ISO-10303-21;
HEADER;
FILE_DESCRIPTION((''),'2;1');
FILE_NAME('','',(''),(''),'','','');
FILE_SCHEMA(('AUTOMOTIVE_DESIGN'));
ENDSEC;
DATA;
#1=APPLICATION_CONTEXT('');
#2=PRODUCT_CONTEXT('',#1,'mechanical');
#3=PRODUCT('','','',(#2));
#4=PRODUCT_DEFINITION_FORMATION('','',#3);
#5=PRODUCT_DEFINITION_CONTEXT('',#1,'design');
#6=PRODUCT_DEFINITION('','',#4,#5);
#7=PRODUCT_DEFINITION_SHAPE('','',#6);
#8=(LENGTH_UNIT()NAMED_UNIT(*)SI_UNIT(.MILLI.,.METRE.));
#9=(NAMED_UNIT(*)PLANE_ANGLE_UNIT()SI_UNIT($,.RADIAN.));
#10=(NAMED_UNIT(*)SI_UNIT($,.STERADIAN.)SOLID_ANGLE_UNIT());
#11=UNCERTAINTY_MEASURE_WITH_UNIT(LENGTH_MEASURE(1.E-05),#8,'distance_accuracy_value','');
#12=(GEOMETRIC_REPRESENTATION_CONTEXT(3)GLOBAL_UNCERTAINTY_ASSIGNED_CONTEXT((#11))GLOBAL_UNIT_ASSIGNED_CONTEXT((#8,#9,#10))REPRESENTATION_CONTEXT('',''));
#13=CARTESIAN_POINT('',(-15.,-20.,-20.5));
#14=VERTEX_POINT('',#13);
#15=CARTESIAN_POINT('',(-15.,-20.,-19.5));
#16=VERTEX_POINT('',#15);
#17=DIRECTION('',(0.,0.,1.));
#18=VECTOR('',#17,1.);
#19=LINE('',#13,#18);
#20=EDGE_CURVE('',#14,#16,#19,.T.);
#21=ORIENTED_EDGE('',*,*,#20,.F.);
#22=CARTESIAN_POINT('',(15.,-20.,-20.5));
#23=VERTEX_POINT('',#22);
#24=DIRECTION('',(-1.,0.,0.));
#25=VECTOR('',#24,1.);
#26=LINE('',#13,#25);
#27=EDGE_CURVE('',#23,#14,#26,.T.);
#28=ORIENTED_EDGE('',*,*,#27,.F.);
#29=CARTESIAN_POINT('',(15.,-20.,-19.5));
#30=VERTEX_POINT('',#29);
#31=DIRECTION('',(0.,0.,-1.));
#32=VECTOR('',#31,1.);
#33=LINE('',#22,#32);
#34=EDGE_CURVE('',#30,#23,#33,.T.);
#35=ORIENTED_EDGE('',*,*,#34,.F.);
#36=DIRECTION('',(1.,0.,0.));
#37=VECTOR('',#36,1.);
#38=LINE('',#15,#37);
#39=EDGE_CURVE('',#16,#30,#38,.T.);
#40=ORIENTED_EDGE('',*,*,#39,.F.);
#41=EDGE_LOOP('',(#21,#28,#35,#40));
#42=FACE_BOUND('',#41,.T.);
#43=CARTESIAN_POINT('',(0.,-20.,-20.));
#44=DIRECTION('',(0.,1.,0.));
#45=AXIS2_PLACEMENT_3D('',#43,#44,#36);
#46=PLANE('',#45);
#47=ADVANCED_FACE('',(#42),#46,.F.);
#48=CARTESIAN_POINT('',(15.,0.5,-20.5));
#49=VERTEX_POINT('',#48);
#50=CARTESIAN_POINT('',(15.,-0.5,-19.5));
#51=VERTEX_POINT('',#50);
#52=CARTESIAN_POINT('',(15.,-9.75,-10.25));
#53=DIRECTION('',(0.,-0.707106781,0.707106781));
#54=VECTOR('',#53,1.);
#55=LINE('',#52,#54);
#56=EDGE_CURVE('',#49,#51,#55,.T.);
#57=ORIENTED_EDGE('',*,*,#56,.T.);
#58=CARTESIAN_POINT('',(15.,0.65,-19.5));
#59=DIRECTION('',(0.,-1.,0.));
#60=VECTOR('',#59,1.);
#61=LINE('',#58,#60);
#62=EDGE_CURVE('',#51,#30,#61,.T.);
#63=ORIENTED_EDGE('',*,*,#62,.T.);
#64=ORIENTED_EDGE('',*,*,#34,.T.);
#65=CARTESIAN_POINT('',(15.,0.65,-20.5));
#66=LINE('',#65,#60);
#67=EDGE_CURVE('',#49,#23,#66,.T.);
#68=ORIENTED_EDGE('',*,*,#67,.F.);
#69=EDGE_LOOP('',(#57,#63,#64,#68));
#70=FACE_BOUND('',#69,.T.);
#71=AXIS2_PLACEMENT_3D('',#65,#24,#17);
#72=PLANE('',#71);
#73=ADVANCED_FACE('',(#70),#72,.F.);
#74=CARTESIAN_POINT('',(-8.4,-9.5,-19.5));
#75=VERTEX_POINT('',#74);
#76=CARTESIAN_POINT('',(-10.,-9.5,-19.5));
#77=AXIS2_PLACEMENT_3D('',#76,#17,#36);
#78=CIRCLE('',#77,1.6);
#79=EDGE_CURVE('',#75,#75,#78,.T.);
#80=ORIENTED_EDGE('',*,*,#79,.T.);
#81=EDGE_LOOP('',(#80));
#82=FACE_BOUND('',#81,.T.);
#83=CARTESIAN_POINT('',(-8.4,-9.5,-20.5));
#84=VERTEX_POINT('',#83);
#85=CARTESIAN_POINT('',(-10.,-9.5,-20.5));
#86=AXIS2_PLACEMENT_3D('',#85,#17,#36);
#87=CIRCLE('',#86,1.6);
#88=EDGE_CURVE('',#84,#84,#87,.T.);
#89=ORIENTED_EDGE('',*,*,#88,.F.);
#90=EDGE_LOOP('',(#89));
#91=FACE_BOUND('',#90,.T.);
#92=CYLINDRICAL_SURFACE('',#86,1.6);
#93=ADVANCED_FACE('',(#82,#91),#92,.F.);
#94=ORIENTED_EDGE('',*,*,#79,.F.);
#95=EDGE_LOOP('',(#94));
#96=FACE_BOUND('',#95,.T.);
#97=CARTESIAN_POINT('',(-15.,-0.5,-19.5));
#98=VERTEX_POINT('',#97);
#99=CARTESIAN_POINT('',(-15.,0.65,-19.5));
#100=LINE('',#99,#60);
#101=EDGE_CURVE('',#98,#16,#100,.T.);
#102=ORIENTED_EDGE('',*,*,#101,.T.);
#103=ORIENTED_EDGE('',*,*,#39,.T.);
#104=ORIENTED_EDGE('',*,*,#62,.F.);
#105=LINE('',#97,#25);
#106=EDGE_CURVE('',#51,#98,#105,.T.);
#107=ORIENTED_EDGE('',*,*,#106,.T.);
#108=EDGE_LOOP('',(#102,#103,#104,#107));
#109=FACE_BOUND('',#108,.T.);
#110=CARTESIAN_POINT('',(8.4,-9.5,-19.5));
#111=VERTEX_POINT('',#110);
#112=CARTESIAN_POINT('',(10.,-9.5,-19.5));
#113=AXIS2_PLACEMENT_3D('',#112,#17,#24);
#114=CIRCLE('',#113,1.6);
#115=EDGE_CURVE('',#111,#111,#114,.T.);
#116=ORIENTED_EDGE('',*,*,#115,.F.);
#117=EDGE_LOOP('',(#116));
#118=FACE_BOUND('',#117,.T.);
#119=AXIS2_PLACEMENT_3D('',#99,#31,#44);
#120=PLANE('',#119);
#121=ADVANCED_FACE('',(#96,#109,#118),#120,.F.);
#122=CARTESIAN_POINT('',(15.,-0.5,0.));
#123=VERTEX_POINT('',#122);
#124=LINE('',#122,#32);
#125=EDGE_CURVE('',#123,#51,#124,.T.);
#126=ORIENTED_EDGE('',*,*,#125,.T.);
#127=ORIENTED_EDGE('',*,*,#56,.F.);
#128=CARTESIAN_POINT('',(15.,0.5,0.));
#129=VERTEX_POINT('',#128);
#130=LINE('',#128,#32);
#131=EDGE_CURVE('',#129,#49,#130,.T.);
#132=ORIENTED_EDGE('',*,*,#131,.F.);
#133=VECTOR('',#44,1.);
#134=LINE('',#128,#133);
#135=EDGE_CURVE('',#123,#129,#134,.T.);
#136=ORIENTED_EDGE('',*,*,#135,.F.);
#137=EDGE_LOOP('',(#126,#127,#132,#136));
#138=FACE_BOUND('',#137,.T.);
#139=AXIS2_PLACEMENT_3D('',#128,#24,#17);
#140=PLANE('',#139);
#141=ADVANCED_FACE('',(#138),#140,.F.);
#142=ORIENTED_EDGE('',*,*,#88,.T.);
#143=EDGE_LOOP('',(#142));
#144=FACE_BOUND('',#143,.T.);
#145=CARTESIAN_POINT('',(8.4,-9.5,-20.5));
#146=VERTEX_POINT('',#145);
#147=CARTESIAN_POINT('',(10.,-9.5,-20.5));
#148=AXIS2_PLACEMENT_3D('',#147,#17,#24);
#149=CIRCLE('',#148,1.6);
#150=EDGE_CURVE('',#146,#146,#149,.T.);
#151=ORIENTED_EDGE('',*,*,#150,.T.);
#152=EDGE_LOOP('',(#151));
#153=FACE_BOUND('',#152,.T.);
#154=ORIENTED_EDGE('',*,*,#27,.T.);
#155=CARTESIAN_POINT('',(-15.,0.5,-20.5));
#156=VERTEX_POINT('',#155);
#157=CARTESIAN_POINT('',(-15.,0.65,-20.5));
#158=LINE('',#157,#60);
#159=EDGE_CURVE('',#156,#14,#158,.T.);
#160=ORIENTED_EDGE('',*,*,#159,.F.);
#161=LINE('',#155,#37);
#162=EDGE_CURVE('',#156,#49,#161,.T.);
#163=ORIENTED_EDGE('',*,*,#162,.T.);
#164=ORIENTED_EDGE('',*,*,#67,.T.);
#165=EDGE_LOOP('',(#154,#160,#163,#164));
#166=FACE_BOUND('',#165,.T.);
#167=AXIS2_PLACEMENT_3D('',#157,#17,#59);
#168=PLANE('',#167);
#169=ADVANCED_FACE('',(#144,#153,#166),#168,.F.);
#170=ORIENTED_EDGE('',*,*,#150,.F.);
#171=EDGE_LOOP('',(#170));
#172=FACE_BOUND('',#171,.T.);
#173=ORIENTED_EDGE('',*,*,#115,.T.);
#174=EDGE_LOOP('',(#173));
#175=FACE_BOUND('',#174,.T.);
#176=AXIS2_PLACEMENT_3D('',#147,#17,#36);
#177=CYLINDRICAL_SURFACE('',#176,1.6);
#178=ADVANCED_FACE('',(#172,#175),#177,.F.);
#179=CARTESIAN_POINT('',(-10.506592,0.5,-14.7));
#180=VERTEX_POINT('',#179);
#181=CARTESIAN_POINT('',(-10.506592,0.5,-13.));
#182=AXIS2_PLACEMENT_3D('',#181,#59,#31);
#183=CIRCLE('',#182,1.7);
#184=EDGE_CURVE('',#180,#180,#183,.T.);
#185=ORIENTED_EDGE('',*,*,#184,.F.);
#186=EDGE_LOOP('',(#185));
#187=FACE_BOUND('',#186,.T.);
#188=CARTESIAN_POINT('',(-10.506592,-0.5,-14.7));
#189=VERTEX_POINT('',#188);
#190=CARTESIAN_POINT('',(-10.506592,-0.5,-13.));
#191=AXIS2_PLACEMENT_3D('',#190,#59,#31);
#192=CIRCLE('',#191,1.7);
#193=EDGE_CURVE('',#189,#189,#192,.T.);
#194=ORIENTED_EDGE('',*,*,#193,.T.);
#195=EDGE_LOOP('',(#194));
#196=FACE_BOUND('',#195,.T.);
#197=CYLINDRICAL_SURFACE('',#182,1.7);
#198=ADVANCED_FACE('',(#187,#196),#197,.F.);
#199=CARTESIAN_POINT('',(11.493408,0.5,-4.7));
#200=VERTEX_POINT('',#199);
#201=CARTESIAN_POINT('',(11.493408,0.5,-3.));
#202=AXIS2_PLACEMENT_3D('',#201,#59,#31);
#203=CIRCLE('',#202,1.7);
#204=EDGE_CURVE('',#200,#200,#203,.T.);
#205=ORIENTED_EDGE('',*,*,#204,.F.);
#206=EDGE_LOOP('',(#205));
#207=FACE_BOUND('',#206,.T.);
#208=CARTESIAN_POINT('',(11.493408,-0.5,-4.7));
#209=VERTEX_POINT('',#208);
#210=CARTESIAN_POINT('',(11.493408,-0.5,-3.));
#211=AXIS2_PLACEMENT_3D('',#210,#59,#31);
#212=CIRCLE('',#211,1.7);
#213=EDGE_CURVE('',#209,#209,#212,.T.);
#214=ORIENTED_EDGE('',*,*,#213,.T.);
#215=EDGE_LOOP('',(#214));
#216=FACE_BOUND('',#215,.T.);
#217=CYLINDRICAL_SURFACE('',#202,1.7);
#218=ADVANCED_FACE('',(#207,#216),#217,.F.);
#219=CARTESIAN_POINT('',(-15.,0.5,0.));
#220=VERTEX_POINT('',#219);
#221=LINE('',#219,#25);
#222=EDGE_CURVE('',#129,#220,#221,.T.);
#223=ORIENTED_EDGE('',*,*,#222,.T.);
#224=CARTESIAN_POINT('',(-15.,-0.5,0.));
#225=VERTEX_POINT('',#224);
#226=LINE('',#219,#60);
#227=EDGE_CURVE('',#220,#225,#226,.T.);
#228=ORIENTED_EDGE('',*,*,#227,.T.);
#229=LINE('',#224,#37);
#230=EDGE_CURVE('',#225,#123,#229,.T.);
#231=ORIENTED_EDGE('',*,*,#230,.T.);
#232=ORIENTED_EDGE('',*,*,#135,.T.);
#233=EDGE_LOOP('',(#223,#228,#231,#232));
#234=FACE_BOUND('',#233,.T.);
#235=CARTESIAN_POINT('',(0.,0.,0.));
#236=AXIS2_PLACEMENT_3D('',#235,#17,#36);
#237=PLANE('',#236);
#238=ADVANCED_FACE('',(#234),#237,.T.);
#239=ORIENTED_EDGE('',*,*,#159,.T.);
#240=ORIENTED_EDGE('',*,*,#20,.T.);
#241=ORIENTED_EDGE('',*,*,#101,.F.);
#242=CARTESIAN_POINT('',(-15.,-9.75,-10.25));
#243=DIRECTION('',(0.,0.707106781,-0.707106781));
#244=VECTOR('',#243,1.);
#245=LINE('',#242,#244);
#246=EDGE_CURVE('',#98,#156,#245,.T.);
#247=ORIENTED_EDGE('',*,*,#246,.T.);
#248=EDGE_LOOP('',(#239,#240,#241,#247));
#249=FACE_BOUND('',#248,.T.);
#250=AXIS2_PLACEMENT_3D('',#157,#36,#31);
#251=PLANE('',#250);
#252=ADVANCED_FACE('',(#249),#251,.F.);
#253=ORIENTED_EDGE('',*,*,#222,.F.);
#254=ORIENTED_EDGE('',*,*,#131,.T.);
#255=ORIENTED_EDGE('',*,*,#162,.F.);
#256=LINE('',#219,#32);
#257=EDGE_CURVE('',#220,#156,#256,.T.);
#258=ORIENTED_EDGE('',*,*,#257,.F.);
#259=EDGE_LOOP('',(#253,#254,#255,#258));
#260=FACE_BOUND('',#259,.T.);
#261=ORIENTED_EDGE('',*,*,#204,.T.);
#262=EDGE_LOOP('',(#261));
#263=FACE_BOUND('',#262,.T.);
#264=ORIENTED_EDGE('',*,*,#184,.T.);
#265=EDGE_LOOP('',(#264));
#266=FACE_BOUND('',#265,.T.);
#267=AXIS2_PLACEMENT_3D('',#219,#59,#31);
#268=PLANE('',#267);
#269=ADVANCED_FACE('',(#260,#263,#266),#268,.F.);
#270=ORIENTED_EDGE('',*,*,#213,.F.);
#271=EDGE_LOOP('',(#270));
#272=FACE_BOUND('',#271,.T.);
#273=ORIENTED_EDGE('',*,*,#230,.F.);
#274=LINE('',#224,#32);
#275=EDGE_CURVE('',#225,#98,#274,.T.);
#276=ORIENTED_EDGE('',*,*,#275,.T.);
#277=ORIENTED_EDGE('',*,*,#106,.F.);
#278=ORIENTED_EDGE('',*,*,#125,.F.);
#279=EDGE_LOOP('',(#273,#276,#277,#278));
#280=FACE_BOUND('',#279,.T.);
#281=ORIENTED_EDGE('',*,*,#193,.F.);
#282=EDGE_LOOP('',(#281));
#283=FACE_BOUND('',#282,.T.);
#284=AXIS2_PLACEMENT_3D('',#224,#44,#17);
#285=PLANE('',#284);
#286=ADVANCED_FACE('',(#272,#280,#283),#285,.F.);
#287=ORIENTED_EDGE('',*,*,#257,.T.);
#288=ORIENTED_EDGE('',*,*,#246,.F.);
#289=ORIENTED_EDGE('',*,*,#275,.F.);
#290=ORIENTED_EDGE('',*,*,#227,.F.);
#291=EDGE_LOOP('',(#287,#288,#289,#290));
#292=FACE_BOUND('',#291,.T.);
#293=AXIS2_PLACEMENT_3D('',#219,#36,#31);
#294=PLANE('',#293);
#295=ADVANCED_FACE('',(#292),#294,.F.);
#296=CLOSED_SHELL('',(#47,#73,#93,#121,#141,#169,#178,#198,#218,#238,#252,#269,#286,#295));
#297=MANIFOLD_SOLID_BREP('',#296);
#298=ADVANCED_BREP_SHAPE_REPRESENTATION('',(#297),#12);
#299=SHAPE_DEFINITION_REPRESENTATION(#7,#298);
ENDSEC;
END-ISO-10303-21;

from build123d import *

# Parameters (mm, degrees)
ESQUISSE1_W             = 30
ESQUISSE1_H             = 1
ESQUISSE7_R             = 1.7
ENL_V_MAT_EXTRU_1_DEPTH = 33.023428923
ESQUISSE8_R             = 1.6
ENL_V_MAT_EXTRU_2_DEPTH = 32.705677725


with BuildPart() as part:
    # Balayage1: sweep along a path in Esquisse6
    with BuildLine(Plane(origin=(0, 0, 0), x_dir=(0, 0, -1), z_dir=(1, 0, 0))) as balayage1_path:
        Line((0, 0), (20, 0))
        Line((20, 0), (20, -20))
    # Esquisse1 → Balayage1 (sweep)
    with BuildSketch(Plane.XY):
        Rectangle(ESQUISSE1_W, ESQUISSE1_H)
    sweep(path=balayage1_path.line, transition=Transition.RIGHT)

    # Esquisse7 → Enlèv. mat.-Extru.1 (cut, through all)
    with BuildSketch(Plane.XZ.offset(0.5)):
        with Locations(Location((11.49340839, -3, 0), (0, 0, 270))):
            Circle(ESQUISSE7_R)
        with Locations(Location((-10.50659161, -13, 0), (0, 0, 270))):
            Circle(ESQUISSE7_R)
    extrude(amount=-ENL_V_MAT_EXTRU_1_DEPTH, mode=Mode.SUBTRACT)

    # Esquisse8 → Enlèv. mat.-Extru.2 (cut, through all)
    with BuildSketch(Plane.XY.offset(-19.5)):
        with Locations((-10, -9.5)):
            Circle(ESQUISSE8_R)
        with Locations(Location((10, -9.5, 0), (0, 0, 180))):
            Circle(ESQUISSE8_R)
    extrude(amount=-ENL_V_MAT_EXTRU_2_DEPTH, mode=Mode.SUBTRACT)


solid = part.part
